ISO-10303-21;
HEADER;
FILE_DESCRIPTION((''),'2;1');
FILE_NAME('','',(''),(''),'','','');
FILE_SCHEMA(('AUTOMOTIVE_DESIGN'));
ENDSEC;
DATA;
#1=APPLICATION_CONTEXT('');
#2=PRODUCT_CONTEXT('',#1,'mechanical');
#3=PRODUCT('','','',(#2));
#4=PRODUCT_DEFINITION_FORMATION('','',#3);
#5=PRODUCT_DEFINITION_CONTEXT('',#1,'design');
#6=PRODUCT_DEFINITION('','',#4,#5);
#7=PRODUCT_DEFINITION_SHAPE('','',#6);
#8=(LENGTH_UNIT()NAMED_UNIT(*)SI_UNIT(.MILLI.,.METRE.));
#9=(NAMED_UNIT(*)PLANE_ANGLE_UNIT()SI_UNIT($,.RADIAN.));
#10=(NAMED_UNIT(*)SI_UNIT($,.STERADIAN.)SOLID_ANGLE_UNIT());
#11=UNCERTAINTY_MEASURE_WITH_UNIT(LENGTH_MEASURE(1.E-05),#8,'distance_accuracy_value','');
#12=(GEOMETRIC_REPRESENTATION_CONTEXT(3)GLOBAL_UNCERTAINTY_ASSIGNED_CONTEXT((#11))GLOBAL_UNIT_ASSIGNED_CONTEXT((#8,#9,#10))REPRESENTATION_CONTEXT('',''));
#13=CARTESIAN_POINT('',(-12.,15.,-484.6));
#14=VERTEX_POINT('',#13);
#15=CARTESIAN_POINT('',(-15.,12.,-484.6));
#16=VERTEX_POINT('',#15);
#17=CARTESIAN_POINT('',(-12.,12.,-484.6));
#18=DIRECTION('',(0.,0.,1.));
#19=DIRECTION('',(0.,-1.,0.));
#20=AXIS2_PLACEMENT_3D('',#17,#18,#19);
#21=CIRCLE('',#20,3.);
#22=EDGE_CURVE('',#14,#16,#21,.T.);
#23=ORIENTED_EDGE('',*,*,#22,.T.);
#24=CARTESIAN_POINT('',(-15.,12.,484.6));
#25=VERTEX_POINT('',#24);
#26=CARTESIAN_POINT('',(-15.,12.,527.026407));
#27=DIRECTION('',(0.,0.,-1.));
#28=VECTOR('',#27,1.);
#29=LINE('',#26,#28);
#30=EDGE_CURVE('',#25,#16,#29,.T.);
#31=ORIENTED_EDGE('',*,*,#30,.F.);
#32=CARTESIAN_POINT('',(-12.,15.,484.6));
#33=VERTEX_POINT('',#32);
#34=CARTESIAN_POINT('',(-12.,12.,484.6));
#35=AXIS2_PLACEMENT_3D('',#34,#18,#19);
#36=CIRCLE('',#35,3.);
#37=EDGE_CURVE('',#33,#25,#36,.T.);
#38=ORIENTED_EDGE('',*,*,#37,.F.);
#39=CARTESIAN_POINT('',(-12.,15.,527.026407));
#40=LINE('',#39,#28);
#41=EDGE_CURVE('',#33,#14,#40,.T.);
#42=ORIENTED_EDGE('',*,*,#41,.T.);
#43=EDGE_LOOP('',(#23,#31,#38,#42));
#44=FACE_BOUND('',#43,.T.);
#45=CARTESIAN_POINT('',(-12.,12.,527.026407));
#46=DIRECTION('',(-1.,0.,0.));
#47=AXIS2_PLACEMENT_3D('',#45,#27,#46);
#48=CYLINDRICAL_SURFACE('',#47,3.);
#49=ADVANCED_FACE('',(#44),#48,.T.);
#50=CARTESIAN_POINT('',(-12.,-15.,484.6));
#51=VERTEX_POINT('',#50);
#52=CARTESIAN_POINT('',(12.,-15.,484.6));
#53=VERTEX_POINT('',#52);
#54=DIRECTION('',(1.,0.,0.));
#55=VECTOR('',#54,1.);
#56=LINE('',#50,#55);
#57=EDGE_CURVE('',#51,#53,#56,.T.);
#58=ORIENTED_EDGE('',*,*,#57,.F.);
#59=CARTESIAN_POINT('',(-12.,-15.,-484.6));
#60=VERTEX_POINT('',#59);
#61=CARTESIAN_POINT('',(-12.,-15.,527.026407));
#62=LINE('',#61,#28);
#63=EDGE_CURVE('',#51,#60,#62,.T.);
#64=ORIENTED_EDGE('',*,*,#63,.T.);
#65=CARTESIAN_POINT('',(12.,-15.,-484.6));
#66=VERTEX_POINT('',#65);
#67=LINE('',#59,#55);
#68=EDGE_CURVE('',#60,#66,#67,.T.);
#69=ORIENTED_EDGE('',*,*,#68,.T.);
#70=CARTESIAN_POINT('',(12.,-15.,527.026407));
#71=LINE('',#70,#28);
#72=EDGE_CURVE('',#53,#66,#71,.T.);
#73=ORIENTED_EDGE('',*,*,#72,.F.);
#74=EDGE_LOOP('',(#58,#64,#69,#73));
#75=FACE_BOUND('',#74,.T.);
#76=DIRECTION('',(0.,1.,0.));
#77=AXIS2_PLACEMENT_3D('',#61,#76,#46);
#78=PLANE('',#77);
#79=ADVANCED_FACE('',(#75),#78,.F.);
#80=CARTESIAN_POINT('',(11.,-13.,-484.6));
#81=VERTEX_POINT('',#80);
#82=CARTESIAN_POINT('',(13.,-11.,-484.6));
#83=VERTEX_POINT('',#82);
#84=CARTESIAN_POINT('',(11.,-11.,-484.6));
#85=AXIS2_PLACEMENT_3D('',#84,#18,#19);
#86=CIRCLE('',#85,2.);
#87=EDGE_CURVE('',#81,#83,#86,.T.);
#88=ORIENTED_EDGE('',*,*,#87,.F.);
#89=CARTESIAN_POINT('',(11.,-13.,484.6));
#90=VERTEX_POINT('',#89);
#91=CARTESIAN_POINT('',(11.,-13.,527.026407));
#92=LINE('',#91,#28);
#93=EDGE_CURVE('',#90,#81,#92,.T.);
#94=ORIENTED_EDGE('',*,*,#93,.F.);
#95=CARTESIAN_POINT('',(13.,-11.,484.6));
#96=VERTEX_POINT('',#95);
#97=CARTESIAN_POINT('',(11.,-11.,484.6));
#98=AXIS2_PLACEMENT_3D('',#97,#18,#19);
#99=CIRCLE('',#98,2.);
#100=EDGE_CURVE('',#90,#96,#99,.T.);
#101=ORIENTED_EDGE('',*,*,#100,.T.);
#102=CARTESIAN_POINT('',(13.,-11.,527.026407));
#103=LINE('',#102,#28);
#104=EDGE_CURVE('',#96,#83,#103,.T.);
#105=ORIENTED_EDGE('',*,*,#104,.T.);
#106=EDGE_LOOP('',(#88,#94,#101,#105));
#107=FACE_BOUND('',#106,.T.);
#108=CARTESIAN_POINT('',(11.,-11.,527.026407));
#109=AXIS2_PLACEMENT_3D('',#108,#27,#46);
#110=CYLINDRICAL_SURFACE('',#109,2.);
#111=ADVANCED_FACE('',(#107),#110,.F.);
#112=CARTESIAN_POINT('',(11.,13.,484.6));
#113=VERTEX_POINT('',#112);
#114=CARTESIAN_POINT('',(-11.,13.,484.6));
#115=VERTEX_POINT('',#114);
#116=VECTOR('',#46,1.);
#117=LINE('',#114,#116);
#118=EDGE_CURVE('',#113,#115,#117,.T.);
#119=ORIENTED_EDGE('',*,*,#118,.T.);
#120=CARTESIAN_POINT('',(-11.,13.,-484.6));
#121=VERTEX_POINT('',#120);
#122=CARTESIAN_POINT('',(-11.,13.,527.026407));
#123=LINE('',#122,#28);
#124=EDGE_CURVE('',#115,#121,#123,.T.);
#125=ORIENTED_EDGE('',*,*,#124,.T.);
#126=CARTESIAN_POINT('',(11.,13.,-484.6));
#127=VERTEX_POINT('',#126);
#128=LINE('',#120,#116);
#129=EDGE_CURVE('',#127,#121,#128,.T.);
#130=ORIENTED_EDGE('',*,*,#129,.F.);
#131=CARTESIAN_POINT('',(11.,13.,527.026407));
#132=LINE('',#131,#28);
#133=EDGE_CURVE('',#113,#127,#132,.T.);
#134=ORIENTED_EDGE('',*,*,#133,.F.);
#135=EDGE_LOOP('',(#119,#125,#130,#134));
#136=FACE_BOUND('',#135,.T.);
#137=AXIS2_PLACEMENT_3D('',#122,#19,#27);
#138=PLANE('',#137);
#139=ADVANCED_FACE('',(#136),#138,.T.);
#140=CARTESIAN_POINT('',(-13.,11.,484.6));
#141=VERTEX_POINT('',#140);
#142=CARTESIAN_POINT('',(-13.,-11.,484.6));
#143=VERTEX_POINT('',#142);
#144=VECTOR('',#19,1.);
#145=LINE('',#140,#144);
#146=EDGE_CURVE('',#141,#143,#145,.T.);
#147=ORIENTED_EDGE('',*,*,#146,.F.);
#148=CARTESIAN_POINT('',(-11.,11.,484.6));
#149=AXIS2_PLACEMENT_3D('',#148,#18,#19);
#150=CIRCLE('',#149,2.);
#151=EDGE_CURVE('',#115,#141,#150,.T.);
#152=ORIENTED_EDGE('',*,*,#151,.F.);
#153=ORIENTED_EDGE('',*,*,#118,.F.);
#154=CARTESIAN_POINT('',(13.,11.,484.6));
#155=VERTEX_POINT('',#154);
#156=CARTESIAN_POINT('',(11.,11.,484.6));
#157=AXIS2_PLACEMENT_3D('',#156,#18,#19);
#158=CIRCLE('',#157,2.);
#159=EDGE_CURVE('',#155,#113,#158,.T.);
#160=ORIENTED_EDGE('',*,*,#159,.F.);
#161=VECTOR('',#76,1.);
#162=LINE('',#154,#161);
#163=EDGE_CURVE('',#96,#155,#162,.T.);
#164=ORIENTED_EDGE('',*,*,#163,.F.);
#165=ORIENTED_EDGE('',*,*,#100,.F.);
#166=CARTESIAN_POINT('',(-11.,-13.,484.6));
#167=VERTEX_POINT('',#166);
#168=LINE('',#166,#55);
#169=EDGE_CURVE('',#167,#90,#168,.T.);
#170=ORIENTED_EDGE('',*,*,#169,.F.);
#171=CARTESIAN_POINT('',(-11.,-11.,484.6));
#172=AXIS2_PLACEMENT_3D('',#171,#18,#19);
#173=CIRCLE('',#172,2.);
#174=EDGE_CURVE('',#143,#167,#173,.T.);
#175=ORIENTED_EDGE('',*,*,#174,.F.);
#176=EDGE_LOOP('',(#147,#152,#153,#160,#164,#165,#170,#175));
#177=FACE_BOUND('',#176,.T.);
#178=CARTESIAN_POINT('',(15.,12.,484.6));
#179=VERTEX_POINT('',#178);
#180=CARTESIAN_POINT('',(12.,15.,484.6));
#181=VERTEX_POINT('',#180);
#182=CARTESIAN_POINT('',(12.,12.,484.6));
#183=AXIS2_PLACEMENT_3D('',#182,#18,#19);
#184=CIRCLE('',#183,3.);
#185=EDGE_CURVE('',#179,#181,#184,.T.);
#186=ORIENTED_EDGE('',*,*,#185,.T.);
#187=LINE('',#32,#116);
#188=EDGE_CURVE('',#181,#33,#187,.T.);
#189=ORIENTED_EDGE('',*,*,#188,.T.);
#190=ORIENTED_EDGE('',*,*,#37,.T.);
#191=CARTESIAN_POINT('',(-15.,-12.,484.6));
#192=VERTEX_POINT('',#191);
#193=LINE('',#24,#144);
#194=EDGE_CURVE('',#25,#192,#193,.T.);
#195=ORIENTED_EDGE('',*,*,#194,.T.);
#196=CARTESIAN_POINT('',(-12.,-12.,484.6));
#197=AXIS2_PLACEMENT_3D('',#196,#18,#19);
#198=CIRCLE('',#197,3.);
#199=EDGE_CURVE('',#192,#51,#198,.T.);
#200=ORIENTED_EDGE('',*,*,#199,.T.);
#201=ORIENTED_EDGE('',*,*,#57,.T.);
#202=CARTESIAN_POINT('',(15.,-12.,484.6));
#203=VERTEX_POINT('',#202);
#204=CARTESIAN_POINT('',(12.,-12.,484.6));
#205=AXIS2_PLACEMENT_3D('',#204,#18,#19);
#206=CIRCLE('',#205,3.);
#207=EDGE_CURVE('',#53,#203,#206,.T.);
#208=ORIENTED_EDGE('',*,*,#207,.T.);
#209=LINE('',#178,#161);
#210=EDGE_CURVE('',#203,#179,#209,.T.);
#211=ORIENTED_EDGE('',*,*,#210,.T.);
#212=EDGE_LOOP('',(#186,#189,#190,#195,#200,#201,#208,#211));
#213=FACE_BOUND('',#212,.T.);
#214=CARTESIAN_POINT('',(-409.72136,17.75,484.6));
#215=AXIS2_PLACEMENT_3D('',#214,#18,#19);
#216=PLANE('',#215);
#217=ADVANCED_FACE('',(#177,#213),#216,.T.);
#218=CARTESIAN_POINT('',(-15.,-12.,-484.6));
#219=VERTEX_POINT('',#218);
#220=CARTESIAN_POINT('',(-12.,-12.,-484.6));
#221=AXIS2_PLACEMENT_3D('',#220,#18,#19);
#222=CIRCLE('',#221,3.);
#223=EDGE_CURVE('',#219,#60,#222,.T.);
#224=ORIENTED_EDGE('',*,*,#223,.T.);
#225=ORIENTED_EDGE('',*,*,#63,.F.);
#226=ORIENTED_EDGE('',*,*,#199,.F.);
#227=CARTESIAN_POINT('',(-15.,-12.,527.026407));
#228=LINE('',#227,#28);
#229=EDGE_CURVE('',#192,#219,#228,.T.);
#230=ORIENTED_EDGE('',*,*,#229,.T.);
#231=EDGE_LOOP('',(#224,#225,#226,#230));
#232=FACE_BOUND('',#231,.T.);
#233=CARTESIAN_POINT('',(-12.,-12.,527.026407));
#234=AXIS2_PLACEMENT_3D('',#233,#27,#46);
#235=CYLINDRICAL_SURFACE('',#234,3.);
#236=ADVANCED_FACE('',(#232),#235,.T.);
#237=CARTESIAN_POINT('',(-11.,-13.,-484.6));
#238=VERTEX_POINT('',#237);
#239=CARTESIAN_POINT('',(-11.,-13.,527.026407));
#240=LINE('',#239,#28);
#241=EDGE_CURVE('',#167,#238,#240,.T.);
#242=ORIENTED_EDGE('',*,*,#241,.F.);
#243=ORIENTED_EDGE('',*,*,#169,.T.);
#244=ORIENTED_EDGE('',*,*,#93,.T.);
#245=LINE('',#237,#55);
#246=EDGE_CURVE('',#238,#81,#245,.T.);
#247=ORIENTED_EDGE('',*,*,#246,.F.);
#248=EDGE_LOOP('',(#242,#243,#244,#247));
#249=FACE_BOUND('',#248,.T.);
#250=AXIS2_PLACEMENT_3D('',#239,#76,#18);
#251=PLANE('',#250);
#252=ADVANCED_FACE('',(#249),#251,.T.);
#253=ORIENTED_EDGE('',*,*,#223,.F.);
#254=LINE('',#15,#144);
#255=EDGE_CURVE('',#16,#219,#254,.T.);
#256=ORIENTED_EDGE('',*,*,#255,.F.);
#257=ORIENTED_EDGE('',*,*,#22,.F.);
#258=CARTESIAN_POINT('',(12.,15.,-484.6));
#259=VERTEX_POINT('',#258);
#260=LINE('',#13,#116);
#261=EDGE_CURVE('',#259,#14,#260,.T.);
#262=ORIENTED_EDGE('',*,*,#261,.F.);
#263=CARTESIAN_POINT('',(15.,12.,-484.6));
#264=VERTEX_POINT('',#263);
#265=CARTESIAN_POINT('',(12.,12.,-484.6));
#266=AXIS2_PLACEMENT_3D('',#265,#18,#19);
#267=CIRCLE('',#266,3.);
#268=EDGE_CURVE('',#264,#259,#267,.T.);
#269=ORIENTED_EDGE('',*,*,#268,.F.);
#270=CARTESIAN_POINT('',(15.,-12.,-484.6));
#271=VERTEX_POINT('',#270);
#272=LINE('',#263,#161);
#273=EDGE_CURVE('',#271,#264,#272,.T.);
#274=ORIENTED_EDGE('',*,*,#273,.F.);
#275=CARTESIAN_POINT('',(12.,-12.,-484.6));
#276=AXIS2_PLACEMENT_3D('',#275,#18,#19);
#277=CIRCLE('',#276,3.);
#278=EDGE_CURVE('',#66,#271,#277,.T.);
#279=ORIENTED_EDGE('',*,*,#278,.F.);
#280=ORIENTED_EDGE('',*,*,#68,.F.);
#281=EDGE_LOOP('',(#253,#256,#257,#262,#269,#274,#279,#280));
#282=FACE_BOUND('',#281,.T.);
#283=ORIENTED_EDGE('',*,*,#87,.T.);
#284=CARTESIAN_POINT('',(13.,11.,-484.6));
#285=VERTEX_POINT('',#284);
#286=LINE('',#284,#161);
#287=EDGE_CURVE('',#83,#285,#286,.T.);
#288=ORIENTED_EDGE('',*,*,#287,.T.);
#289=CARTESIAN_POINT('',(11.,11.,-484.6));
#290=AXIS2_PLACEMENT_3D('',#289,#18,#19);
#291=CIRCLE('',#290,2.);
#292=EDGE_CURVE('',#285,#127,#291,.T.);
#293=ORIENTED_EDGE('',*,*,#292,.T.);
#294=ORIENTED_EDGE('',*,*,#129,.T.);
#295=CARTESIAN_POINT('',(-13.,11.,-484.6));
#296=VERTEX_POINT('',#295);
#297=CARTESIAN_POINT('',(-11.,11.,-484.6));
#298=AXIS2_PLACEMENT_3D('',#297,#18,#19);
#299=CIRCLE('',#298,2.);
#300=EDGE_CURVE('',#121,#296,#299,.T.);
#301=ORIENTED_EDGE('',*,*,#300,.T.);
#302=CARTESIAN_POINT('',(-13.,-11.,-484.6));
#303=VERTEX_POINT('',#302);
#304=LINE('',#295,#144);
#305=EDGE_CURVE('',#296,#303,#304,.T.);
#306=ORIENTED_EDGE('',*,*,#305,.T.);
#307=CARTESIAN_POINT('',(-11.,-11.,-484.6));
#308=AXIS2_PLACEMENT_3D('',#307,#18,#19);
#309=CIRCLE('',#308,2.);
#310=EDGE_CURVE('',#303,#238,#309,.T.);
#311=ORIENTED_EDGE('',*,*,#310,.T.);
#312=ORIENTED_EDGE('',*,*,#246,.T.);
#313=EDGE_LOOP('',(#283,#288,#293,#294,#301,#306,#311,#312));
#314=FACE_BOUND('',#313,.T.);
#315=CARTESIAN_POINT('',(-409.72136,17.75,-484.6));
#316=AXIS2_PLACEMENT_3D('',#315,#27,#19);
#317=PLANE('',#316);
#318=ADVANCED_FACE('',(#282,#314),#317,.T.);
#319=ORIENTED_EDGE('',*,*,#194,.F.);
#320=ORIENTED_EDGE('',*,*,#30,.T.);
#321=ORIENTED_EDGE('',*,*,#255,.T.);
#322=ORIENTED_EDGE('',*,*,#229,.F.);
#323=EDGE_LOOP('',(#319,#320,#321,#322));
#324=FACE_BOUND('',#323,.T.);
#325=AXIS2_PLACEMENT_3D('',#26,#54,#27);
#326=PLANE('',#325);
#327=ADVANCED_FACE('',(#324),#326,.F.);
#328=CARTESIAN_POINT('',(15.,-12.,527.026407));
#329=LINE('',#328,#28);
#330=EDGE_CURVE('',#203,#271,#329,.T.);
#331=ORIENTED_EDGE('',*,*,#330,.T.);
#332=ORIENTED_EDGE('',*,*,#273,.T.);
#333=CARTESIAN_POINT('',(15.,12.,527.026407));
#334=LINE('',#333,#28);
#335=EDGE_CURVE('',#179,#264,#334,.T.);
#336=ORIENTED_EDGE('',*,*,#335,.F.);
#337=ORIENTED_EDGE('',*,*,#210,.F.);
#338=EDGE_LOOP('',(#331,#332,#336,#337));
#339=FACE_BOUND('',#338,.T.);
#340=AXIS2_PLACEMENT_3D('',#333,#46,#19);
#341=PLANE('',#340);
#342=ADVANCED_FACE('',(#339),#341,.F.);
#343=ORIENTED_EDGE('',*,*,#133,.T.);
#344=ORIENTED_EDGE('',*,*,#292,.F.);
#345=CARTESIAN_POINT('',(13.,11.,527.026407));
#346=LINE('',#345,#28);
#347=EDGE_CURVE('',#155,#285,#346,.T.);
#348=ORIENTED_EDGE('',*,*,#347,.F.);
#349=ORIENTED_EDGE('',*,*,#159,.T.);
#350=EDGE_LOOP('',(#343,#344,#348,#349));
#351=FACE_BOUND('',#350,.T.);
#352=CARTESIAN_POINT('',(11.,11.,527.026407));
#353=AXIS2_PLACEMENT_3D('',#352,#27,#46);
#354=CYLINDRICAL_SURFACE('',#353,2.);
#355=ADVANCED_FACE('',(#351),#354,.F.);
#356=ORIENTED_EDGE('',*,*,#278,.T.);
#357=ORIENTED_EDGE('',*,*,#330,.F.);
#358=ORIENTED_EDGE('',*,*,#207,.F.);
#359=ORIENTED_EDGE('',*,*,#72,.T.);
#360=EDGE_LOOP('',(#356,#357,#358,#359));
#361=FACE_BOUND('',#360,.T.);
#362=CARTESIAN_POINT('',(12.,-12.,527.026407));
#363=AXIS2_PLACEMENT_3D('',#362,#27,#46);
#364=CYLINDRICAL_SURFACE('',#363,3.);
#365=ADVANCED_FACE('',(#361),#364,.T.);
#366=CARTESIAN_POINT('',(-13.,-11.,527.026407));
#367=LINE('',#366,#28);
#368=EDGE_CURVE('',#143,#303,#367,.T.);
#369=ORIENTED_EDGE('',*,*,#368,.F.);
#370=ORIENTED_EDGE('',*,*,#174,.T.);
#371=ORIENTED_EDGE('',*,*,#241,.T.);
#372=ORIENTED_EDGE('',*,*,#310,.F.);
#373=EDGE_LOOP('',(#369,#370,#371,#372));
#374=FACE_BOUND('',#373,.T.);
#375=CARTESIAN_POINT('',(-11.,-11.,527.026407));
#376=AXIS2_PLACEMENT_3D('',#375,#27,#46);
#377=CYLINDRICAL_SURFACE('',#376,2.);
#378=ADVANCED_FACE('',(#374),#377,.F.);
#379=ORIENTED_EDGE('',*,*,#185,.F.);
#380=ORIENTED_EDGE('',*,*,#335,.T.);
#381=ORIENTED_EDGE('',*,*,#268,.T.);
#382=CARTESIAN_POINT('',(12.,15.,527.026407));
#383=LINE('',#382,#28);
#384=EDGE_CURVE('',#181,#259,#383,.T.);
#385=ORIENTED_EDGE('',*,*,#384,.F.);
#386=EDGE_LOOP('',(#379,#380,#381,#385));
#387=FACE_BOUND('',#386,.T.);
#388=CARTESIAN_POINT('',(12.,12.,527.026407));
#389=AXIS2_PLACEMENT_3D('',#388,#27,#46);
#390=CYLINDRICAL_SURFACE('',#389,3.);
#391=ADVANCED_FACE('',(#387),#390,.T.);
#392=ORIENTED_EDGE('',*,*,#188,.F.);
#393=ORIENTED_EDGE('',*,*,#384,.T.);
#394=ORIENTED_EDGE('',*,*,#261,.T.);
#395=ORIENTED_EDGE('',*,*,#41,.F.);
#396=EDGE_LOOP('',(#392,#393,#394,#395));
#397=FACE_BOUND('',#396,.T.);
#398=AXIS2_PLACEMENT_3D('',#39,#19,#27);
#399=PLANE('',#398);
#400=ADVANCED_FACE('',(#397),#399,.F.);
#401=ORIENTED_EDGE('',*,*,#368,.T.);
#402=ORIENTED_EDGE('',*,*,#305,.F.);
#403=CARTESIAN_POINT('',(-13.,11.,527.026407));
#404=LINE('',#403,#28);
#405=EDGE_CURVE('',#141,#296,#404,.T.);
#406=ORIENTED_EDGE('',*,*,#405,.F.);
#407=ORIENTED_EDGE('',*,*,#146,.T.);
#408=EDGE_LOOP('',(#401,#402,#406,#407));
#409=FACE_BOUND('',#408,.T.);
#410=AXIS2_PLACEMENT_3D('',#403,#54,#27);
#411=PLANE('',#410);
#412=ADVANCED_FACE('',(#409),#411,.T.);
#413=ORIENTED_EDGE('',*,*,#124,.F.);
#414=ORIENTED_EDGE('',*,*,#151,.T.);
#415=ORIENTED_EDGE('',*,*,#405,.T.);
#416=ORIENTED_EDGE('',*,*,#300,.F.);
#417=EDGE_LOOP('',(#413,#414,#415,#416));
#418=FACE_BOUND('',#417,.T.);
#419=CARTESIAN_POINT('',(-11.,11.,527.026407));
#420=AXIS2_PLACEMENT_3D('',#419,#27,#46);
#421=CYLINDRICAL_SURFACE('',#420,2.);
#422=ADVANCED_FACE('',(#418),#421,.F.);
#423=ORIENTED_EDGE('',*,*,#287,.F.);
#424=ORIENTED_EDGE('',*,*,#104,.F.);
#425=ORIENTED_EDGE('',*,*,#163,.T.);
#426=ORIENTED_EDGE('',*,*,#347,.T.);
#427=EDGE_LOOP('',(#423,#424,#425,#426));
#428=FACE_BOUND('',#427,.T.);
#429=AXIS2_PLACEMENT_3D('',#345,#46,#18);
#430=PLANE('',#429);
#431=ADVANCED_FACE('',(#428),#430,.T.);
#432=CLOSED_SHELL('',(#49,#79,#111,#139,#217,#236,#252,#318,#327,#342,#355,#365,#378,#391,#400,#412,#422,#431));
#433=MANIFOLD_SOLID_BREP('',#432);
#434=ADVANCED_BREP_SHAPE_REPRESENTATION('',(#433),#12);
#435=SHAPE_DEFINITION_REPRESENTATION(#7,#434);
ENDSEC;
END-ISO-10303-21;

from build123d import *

# Parameters (mm, degrees)
EXTRUDE_1_DEPTH = 484.6


with BuildPart() as part:
    # Эскиз1 → Бобышка-Вытянуть1 (new body)
    with BuildSketch(Plane.XY):
        with BuildLine():
            Line((-12, 15), (12, 15))
            ThreePointArc((12, 15), (14.121320344, 14.121320344), (15, 12))
            Line((15, 12), (15, -12))
            ThreePointArc((15, -12), (14.121320344, -14.121320344), (12, -15))
            Line((12, -15), (-12, -15))
            ThreePointArc((-12, -15), (-14.121320344, -14.121320344), (-15, -12))
            Line((-15, -12), (-15, 12))
            ThreePointArc((-15, 12), (-14.121320344, 14.121320344), (-12, 15))
        make_face()
        with BuildLine():
            Line((-11, 13), (11, 13))
            ThreePointArc((11, 13), (12.414213562, 12.414213562), (13, 11))
            Line((13, 11), (13, -11))
            ThreePointArc((13, -11), (12.414213562, -12.414213562), (11, -13))
            Line((11, -13), (-11, -13))
            ThreePointArc((-11, -13), (-12.414213562, -12.414213562), (-13, -11))
            Line((-13, -11), (-13, 11))
            ThreePointArc((-13, 11), (-12.414213562, 12.414213562), (-11, 13))
        make_face(mode=Mode.SUBTRACT)
    extrude(amount=EXTRUDE_1_DEPTH)

    # Зеркальное отражение1: part across plane


with BuildPart() as part_1:
    add(part.part)
    add(part.part.mirror(Plane(origin=(-12, -12, 0), x_dir=(1, 0, 0), z_dir=(0, 0, 1))))


solid = part_1.part
